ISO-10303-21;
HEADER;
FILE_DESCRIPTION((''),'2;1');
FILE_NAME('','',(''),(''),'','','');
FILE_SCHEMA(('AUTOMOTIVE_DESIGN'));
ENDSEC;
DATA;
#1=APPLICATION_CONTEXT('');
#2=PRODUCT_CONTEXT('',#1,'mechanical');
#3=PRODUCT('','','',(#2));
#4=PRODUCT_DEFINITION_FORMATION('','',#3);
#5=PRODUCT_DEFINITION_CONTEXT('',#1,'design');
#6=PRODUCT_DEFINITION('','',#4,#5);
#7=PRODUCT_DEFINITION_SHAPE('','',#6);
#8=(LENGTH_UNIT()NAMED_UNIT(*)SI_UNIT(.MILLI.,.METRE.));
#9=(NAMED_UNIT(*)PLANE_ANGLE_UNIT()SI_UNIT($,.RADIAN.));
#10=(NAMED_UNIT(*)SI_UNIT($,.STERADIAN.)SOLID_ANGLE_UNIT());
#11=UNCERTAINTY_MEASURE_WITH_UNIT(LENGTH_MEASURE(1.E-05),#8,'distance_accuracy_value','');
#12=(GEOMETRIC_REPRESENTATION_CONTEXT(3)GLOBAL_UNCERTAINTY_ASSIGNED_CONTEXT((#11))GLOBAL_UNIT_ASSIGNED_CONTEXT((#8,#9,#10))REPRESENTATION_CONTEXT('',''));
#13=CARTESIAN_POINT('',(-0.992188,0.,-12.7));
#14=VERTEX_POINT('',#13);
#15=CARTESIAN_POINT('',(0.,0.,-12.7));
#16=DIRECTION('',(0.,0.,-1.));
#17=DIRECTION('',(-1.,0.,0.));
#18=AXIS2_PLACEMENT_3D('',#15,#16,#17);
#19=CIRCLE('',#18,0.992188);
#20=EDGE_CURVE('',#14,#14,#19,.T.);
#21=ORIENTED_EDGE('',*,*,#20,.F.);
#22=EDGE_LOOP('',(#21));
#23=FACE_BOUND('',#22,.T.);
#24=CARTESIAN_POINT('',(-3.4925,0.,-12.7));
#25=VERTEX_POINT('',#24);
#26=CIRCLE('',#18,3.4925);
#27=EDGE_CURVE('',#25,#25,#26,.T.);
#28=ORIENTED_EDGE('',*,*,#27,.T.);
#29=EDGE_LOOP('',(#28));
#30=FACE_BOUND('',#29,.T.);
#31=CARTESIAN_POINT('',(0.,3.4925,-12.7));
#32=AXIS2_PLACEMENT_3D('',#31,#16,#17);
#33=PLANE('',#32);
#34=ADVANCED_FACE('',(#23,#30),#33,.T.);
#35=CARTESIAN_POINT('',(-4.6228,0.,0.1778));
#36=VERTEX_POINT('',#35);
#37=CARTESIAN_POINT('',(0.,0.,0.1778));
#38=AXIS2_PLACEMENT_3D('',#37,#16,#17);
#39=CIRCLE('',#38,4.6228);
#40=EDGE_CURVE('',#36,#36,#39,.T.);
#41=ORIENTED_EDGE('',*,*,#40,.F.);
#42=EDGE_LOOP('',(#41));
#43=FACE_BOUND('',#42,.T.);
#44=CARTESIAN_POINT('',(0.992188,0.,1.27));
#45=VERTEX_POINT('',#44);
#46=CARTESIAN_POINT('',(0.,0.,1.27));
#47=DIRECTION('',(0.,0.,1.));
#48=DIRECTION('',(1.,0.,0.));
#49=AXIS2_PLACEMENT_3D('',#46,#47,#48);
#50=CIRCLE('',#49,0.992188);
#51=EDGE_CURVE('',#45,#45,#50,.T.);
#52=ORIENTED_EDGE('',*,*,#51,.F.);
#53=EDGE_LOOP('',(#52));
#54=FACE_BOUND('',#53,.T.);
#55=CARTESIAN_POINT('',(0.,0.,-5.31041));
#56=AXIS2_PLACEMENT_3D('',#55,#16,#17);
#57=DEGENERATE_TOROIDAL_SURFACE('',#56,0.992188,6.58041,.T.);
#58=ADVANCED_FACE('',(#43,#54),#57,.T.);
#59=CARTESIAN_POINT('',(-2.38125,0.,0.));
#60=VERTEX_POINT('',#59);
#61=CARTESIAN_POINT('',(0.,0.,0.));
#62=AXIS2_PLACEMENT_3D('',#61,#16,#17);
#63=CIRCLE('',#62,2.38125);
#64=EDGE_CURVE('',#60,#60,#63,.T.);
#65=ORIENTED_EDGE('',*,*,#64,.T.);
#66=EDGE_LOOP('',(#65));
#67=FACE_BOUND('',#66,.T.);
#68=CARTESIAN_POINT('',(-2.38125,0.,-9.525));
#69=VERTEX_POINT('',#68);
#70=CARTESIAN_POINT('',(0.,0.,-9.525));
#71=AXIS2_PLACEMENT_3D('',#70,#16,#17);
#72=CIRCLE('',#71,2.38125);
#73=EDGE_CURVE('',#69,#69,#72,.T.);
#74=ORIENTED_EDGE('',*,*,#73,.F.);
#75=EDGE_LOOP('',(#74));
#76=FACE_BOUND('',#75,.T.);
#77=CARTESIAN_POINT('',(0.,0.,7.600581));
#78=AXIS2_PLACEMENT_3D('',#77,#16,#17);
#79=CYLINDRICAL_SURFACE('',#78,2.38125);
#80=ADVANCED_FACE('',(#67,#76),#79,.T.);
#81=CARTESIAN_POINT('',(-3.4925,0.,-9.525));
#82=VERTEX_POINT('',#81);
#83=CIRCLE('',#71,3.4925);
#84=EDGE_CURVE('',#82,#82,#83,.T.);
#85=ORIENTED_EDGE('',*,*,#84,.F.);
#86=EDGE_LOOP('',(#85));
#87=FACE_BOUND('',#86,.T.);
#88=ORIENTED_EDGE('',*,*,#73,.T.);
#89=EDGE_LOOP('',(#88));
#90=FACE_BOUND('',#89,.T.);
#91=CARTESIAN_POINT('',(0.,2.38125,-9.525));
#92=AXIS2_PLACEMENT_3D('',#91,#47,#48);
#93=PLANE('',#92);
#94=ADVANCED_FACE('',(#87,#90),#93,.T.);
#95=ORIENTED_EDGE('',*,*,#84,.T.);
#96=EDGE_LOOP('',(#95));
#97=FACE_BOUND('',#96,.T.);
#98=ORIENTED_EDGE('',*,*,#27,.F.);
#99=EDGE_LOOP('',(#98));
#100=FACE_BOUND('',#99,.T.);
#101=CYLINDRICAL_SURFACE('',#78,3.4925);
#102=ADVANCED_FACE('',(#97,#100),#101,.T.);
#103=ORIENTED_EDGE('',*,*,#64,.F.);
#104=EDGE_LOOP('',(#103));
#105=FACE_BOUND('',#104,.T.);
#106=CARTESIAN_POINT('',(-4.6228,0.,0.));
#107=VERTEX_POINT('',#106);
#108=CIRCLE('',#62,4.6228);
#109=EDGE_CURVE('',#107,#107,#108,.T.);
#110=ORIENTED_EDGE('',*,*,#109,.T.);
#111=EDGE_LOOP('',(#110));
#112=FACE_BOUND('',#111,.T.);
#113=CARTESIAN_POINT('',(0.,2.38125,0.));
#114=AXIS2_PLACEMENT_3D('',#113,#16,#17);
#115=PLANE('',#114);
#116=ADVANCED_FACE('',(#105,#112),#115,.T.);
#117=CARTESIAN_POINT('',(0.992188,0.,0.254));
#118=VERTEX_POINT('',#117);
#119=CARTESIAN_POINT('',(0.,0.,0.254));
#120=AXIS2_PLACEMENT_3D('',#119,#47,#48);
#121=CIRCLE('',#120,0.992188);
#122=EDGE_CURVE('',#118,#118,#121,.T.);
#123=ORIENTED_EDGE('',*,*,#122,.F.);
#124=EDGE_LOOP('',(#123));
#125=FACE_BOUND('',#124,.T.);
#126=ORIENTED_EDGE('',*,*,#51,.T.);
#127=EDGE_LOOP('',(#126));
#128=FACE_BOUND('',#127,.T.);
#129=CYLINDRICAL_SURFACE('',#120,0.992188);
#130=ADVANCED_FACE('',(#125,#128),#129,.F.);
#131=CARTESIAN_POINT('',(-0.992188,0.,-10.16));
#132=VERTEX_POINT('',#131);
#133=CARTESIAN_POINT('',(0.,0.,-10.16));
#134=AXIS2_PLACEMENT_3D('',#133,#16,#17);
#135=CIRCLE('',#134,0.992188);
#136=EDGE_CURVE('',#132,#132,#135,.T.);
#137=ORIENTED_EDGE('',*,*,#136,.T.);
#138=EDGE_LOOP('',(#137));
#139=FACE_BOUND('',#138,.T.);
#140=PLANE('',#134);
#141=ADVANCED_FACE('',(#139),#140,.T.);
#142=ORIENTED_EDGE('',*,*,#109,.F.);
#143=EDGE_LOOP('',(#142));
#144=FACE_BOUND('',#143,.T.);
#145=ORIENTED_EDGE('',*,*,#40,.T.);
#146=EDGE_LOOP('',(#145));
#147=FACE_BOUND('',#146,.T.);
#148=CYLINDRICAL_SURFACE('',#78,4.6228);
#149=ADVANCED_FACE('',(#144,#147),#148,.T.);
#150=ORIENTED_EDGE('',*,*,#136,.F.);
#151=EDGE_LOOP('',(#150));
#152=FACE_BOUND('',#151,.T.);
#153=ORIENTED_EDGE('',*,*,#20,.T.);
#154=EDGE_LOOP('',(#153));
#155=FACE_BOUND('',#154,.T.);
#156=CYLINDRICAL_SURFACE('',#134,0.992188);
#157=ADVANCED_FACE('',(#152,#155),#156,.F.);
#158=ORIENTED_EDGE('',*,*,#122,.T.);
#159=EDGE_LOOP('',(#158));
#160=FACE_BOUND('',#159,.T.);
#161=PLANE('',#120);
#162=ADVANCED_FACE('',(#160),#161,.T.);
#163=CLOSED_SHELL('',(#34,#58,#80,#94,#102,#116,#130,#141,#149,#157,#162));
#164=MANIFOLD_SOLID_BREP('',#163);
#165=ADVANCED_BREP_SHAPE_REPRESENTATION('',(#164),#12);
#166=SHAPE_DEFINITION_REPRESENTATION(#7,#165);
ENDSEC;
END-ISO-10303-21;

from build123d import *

# Parameters (mm, degrees)
SKETCH4_R          = 0.9921875
CUT_EXTRUDE1_DEPTH = 1.016
CUT_EXTRUDE2_START = -2.54
SKETCH3_R          = 0.9921875
CUT_EXTRUDE2_DEPTH = 2.54


with BuildPart() as part:
    # Sketch2 → Revolve1 (revolve)
    with BuildSketch(Plane(origin=(0, 0, 0), x_dir=(0, 0, -1), z_dir=(1, 0, 0)), mode=Mode.PRIVATE) as revolve1_sk:
        with BuildLine():
            Line((-1.27, 0.9921875), (-1.27, 0))
            Line((-1.27, 0), (9.525, 0))
            Line((9.525, 0), (12.7, 0))
            Line((12.7, 0), (12.7, 3.4925))
            Line((12.7, 3.4925), (9.525, 3.4925))
            Line((9.525, 3.4925), (9.525, 2.38125))
            Line((9.525, 2.38125), (0, 2.38125))
            Line((0, 2.38125), (0, 4.6228))
            Line((0, 4.6228), (-0.1778, 4.6228))
            ThreePointArc((-0.1778, 4.6228), (-0.991036966, 2.887856773), (-1.27, 0.9921875))
        make_face()
    revolve(revolve1_sk.sketch.rotate(Axis((0, 0, 7.600580616), (0, 0, 1)), 90), axis=Axis((0, 0, 7.600580616), (0, 0, 1)))

    # Sketch4 → Cut-Extrude1 (cut)
    with BuildSketch(Plane.XY.offset(1.27)):
        Circle(SKETCH4_R)
    extrude(amount=-CUT_EXTRUDE1_DEPTH, mode=Mode.SUBTRACT)

    # Sketch3 → Cut-Extrude2 (cut)
    with BuildSketch(Plane(origin=(0, 0, -12.7), x_dir=(-1, 0, 0), z_dir=(0, 0, -1)).offset(CUT_EXTRUDE2_START)):
        with Locations(Location((0, 0, 0), (0, 0, 180))):
            Circle(SKETCH3_R)
    extrude(amount=CUT_EXTRUDE2_DEPTH, mode=Mode.SUBTRACT)


solid = part.part
